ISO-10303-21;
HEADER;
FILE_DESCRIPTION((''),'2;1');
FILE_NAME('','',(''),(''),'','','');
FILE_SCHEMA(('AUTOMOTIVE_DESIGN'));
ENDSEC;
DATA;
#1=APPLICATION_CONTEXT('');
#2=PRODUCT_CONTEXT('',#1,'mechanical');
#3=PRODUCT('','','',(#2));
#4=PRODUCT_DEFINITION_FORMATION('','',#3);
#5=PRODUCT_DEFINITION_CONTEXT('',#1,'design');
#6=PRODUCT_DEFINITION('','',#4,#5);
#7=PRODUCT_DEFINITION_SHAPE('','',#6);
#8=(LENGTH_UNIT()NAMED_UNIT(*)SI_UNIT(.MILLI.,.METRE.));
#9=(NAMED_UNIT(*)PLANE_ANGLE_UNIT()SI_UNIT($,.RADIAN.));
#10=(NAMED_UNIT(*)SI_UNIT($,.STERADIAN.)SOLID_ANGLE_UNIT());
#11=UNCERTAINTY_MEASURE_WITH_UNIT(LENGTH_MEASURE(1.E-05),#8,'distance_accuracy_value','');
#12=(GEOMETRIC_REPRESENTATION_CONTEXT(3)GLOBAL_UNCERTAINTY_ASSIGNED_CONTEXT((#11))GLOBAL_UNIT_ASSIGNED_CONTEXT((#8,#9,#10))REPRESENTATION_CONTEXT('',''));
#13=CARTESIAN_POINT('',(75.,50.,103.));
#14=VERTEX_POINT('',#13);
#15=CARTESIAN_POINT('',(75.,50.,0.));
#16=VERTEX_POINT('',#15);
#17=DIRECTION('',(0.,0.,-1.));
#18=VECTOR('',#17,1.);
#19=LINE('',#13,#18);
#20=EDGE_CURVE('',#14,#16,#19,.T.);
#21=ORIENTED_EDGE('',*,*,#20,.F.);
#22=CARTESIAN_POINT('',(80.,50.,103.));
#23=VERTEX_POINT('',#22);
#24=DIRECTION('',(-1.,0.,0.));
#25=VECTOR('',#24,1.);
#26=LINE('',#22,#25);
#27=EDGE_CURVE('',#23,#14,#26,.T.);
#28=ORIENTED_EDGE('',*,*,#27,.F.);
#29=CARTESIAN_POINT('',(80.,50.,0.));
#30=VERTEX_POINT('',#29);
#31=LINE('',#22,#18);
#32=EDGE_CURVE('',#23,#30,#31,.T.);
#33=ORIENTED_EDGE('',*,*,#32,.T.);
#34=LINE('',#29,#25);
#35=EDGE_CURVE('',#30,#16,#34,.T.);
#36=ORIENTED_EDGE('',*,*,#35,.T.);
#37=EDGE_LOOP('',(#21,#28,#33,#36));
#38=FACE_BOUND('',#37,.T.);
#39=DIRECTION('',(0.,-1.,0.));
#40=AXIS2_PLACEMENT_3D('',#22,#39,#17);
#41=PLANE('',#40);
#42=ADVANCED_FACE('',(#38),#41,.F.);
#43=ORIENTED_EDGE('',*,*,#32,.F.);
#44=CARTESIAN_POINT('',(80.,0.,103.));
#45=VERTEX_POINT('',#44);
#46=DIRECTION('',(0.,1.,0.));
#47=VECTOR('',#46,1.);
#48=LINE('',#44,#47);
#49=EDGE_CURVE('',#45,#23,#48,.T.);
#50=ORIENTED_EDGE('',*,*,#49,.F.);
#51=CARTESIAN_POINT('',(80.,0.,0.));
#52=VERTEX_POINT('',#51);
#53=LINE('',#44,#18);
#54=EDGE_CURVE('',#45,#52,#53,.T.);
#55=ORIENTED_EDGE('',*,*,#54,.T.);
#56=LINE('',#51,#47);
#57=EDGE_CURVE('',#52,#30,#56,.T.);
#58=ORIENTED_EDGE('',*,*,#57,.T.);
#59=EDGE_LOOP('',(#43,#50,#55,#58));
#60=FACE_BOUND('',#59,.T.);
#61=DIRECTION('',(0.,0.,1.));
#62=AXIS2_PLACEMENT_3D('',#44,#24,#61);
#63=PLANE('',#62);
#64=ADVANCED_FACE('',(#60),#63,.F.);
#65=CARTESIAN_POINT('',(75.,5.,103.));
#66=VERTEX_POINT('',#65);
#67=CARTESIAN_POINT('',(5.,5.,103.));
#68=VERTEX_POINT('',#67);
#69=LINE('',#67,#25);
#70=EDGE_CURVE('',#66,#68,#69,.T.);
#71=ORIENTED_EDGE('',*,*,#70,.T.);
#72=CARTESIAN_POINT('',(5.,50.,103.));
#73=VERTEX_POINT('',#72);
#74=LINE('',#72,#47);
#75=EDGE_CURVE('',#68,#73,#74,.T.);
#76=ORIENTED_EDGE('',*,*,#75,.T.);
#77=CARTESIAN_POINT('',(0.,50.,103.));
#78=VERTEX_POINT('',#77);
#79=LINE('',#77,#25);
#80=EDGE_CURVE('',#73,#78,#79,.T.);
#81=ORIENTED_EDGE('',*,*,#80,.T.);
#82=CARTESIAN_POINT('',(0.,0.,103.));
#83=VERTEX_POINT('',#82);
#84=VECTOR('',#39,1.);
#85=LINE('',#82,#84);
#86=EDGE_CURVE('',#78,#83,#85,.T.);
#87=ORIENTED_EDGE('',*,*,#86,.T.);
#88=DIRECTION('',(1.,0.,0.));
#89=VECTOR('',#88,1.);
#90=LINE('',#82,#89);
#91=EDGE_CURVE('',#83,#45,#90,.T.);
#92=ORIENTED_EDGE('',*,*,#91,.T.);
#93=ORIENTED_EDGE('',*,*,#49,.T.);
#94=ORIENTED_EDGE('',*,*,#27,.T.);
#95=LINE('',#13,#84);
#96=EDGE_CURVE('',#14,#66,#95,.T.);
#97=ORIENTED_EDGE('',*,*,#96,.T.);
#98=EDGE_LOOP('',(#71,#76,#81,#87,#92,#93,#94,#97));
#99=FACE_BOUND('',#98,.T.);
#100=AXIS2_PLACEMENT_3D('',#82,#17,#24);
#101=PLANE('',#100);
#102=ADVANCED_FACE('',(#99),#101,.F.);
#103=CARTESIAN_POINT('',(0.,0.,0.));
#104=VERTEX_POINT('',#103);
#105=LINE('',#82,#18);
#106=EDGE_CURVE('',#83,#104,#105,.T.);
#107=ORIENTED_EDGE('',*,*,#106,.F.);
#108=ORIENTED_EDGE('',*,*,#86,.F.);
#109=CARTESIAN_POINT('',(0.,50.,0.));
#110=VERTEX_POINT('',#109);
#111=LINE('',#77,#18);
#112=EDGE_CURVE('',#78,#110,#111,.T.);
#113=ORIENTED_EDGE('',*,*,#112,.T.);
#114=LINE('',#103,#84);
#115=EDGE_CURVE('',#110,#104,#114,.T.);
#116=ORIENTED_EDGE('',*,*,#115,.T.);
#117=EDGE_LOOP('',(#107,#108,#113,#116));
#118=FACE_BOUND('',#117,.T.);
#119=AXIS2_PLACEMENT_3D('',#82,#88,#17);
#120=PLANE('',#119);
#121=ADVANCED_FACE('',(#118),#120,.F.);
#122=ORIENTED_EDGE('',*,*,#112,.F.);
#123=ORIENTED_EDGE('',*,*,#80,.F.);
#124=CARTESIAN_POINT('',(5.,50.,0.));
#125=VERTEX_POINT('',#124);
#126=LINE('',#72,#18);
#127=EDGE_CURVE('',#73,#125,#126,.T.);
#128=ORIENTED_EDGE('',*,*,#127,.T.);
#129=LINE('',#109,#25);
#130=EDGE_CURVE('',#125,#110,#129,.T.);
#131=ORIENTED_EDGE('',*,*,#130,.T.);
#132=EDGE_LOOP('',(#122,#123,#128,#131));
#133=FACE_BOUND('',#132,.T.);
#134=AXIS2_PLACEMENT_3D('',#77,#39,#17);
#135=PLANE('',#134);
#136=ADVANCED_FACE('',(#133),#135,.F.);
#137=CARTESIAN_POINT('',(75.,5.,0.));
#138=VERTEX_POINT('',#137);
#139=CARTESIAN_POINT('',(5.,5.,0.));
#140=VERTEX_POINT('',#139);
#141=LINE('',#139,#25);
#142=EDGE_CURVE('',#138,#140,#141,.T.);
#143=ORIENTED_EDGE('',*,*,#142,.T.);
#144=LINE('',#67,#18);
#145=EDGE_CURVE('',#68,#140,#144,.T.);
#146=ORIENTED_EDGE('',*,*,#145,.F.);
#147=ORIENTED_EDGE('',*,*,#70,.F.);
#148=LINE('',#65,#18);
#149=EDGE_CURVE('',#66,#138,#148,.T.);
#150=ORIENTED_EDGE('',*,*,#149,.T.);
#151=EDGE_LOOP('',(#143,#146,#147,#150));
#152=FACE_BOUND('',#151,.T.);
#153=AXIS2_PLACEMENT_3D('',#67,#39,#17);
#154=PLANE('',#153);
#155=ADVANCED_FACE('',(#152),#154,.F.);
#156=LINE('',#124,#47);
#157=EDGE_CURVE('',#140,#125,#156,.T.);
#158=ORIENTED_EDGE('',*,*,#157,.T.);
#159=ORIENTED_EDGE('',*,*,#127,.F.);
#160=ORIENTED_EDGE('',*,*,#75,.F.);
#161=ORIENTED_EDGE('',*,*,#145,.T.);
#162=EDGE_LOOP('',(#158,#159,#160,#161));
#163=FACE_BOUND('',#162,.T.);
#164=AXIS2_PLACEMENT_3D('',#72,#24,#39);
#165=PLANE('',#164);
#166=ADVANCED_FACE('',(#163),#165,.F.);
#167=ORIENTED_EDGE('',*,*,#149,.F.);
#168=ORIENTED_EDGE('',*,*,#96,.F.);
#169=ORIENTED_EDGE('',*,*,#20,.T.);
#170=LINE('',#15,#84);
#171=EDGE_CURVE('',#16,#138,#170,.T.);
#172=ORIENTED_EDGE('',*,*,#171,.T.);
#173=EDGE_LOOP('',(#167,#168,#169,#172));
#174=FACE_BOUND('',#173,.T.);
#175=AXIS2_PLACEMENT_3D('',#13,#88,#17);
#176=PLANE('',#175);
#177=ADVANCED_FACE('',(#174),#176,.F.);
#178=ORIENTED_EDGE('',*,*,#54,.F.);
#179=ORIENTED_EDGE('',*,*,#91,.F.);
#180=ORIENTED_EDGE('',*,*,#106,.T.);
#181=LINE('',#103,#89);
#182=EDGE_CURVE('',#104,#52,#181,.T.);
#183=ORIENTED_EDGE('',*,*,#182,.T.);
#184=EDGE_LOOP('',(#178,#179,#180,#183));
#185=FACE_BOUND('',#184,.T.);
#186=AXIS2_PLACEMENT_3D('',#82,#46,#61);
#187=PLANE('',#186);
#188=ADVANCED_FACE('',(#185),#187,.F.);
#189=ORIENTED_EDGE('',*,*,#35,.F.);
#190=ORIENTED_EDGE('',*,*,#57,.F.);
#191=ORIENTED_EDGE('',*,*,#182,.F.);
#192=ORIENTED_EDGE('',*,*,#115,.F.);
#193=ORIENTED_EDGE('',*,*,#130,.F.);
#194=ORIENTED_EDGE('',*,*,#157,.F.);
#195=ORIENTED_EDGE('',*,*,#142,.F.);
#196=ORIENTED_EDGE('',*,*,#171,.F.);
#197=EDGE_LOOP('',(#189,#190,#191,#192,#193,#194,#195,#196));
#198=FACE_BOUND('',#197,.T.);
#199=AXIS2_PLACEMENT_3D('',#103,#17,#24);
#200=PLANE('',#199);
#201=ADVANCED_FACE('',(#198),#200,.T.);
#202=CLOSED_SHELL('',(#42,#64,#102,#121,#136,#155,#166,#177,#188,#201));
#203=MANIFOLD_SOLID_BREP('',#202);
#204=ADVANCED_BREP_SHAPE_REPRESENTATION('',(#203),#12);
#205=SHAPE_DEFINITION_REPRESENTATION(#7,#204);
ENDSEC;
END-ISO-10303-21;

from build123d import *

# Parameters (mm, degrees)
Y_KSEKLIK_EKSTR_ZYON1_DEPTH = 103


with BuildPart() as part:
    # Çizim1 → Yükseklik-Ekstrüzyon1 (new body)
    with BuildSketch(Plane.XY):
        Polygon((0, 0), (80, 0), (80, 50), (75, 50), (75, 5), (5, 5), (5, 50), (0, 50), align=None)
    extrude(amount=Y_KSEKLIK_EKSTR_ZYON1_DEPTH)


solid = part.part
